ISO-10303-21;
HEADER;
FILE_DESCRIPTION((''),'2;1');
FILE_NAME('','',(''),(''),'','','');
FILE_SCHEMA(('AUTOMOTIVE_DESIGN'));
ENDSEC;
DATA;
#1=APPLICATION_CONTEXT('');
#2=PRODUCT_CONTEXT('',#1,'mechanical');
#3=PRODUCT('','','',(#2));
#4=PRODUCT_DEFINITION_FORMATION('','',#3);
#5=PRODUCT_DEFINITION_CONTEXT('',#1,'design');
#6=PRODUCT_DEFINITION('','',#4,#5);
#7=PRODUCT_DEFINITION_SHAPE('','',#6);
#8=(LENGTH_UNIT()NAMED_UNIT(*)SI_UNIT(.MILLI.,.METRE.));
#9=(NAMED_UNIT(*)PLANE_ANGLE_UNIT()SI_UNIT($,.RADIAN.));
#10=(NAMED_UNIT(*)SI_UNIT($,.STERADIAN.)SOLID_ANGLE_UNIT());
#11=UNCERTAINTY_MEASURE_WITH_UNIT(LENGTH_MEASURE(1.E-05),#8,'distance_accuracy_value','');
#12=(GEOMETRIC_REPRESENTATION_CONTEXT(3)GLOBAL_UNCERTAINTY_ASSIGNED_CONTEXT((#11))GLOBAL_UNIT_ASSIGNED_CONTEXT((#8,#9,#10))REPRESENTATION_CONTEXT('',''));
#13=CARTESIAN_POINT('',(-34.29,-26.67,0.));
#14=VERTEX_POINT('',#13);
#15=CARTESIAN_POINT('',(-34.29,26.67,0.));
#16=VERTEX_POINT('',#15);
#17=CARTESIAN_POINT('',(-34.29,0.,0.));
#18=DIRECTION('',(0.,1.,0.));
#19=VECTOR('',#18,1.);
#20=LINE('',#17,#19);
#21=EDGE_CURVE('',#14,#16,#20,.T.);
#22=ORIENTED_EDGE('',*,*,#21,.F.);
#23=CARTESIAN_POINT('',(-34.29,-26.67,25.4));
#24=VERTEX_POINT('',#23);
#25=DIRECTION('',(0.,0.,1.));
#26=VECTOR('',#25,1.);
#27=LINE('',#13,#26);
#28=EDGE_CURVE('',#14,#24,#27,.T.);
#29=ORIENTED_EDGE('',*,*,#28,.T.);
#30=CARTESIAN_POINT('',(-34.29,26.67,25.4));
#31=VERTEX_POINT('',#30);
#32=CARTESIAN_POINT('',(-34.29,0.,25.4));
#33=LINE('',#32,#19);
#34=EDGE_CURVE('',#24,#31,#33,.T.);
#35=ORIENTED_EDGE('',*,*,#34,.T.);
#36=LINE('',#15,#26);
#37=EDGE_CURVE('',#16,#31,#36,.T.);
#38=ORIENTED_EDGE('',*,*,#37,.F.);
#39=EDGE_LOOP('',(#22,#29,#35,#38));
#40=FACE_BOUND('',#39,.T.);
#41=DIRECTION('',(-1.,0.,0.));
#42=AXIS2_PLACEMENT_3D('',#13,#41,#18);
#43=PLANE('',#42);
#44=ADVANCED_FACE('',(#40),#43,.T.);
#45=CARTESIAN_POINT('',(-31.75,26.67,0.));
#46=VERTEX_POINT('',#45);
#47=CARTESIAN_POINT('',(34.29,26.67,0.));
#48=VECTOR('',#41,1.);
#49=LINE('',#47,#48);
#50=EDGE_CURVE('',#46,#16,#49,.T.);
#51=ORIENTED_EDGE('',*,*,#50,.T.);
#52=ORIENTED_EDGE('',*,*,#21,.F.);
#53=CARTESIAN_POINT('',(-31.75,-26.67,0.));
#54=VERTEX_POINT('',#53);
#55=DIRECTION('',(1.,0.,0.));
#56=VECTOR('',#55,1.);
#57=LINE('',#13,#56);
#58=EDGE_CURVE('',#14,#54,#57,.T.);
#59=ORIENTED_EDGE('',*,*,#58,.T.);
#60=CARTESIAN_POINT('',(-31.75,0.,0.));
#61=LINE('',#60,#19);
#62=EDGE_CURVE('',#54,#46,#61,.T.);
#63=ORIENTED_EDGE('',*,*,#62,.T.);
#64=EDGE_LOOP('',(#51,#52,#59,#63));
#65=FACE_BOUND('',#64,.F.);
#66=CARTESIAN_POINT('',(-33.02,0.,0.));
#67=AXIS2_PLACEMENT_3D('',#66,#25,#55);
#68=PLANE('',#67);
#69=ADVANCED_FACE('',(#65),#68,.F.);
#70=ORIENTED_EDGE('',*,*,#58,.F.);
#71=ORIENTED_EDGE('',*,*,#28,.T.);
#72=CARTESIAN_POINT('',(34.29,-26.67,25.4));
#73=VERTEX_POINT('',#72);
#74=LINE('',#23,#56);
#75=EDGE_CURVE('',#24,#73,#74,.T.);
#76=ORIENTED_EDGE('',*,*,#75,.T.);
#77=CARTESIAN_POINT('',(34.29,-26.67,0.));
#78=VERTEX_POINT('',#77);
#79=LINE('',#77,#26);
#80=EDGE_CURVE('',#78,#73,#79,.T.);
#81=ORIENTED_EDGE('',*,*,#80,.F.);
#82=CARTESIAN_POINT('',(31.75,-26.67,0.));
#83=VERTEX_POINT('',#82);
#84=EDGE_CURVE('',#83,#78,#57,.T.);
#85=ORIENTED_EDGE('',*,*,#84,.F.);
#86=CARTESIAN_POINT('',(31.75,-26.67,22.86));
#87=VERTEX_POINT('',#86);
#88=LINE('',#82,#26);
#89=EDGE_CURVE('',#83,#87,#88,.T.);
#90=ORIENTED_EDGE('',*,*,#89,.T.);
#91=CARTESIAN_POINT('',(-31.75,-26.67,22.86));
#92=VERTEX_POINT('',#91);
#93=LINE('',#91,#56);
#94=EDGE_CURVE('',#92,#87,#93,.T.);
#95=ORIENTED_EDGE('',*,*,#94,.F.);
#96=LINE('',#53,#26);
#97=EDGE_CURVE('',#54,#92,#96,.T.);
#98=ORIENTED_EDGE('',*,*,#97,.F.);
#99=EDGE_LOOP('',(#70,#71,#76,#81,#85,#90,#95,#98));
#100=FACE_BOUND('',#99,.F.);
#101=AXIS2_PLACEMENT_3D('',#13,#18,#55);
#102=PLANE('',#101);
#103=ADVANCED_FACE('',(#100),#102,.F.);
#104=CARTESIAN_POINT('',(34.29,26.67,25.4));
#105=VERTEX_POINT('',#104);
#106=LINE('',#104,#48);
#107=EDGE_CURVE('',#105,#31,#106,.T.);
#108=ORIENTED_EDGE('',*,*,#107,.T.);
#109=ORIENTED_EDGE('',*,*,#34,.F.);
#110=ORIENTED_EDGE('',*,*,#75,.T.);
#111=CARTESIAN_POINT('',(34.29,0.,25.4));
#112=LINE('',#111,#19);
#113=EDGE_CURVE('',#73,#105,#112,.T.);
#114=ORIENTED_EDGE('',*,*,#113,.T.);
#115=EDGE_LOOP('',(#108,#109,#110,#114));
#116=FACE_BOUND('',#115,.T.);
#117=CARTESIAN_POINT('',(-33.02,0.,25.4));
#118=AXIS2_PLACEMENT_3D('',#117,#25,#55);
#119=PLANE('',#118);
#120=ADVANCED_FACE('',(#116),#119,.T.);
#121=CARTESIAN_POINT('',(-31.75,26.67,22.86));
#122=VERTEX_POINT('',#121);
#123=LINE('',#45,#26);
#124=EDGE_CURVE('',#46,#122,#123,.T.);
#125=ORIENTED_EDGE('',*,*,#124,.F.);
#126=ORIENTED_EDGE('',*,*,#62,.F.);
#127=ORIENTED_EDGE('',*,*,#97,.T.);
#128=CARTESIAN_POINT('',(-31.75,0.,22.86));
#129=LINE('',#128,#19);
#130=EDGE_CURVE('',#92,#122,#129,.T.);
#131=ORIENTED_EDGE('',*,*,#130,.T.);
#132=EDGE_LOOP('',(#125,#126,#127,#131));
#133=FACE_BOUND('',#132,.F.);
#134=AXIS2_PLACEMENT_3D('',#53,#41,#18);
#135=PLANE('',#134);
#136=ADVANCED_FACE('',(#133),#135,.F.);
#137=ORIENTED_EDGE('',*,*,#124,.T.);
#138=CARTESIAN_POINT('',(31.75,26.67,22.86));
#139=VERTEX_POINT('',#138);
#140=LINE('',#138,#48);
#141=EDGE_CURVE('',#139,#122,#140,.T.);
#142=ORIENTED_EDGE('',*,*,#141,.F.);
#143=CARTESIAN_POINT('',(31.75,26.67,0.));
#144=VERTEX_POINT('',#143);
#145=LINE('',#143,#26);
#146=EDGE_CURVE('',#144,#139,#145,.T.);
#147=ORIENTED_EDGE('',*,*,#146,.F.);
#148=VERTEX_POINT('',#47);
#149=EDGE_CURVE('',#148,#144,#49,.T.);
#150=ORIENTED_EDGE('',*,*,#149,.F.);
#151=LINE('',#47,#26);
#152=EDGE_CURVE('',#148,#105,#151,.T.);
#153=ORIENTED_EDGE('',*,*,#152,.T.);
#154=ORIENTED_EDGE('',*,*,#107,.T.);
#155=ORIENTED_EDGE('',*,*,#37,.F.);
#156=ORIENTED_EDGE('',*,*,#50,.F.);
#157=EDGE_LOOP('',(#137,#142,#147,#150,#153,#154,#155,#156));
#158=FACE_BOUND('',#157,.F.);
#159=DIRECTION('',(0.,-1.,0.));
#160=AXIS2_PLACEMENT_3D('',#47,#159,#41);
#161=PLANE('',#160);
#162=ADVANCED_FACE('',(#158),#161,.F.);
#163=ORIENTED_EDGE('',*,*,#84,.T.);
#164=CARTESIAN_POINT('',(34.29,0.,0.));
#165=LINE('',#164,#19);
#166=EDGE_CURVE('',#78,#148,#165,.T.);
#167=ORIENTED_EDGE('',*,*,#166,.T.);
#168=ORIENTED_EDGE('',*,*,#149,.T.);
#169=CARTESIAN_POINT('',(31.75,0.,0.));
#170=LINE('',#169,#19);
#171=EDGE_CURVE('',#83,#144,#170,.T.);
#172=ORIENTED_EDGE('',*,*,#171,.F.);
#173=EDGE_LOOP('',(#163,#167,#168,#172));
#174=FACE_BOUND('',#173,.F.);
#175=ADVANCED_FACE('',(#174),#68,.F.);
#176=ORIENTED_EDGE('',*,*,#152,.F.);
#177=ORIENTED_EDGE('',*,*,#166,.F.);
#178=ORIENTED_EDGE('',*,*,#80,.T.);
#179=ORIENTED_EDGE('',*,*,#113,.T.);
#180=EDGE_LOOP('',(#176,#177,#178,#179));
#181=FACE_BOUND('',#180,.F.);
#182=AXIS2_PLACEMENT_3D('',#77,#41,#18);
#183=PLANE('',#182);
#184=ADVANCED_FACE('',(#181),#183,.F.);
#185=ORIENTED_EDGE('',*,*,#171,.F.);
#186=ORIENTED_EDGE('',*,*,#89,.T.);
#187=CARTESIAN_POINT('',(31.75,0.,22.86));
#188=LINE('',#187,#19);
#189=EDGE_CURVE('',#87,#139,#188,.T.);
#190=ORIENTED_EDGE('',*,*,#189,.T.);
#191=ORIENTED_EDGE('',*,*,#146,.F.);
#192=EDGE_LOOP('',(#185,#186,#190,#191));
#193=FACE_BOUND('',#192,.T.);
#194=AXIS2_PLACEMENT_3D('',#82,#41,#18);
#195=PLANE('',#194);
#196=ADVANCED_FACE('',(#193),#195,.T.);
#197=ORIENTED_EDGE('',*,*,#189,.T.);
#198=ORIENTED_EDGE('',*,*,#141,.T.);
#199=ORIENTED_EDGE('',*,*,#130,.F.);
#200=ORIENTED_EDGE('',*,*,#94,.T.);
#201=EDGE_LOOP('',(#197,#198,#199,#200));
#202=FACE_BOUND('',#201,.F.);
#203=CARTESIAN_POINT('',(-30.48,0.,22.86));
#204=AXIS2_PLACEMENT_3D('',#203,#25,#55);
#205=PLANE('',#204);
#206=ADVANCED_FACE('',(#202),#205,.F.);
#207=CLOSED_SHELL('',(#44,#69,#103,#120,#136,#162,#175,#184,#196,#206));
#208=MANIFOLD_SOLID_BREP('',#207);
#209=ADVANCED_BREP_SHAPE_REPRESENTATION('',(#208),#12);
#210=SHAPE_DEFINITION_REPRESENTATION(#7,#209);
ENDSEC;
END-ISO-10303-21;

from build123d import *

# Parameters (mm, degrees)
F0_W     = 2.54
F0_H     = 53.34
F0_W_2   = 58.42
F1_DEPTH = 25.4
F2_DEPTH = 22.86
F3_DEPTH = 22.86


with BuildPart() as f1:
    # F0 (on Top) → F1 (new body)
    with BuildSketch(Plane.XY):
        with Locations((-33.02, 0)):
            Rectangle(F0_W, F0_H)
        with Locations((-30.48, 0)):
            Rectangle(F0_W, F0_H)
        Rectangle(F0_W_2, F0_H)
        with Locations((30.48, 0)):
            Rectangle(F0_W, F0_H)
        with Locations((33.02, 0)):
            Rectangle(F0_W, F0_H)
    extrude(amount=F1_DEPTH)

    # F0 (on Top) → F2 (cut)
    with BuildSketch(Plane.XY):
        with Locations((-30.48, 0)):
            Rectangle(F0_W, F0_H)
        with Locations((30.48, 0)):
            Rectangle(F0_W, F0_H)
    extrude(amount=F2_DEPTH, mode=Mode.SUBTRACT)

    # F0 (on Top) → F3 (cut)
    with BuildSketch(Plane.XY):
        Rectangle(F0_W_2, F0_H)
    extrude(amount=F3_DEPTH, mode=Mode.SUBTRACT)


solid = f1.part
